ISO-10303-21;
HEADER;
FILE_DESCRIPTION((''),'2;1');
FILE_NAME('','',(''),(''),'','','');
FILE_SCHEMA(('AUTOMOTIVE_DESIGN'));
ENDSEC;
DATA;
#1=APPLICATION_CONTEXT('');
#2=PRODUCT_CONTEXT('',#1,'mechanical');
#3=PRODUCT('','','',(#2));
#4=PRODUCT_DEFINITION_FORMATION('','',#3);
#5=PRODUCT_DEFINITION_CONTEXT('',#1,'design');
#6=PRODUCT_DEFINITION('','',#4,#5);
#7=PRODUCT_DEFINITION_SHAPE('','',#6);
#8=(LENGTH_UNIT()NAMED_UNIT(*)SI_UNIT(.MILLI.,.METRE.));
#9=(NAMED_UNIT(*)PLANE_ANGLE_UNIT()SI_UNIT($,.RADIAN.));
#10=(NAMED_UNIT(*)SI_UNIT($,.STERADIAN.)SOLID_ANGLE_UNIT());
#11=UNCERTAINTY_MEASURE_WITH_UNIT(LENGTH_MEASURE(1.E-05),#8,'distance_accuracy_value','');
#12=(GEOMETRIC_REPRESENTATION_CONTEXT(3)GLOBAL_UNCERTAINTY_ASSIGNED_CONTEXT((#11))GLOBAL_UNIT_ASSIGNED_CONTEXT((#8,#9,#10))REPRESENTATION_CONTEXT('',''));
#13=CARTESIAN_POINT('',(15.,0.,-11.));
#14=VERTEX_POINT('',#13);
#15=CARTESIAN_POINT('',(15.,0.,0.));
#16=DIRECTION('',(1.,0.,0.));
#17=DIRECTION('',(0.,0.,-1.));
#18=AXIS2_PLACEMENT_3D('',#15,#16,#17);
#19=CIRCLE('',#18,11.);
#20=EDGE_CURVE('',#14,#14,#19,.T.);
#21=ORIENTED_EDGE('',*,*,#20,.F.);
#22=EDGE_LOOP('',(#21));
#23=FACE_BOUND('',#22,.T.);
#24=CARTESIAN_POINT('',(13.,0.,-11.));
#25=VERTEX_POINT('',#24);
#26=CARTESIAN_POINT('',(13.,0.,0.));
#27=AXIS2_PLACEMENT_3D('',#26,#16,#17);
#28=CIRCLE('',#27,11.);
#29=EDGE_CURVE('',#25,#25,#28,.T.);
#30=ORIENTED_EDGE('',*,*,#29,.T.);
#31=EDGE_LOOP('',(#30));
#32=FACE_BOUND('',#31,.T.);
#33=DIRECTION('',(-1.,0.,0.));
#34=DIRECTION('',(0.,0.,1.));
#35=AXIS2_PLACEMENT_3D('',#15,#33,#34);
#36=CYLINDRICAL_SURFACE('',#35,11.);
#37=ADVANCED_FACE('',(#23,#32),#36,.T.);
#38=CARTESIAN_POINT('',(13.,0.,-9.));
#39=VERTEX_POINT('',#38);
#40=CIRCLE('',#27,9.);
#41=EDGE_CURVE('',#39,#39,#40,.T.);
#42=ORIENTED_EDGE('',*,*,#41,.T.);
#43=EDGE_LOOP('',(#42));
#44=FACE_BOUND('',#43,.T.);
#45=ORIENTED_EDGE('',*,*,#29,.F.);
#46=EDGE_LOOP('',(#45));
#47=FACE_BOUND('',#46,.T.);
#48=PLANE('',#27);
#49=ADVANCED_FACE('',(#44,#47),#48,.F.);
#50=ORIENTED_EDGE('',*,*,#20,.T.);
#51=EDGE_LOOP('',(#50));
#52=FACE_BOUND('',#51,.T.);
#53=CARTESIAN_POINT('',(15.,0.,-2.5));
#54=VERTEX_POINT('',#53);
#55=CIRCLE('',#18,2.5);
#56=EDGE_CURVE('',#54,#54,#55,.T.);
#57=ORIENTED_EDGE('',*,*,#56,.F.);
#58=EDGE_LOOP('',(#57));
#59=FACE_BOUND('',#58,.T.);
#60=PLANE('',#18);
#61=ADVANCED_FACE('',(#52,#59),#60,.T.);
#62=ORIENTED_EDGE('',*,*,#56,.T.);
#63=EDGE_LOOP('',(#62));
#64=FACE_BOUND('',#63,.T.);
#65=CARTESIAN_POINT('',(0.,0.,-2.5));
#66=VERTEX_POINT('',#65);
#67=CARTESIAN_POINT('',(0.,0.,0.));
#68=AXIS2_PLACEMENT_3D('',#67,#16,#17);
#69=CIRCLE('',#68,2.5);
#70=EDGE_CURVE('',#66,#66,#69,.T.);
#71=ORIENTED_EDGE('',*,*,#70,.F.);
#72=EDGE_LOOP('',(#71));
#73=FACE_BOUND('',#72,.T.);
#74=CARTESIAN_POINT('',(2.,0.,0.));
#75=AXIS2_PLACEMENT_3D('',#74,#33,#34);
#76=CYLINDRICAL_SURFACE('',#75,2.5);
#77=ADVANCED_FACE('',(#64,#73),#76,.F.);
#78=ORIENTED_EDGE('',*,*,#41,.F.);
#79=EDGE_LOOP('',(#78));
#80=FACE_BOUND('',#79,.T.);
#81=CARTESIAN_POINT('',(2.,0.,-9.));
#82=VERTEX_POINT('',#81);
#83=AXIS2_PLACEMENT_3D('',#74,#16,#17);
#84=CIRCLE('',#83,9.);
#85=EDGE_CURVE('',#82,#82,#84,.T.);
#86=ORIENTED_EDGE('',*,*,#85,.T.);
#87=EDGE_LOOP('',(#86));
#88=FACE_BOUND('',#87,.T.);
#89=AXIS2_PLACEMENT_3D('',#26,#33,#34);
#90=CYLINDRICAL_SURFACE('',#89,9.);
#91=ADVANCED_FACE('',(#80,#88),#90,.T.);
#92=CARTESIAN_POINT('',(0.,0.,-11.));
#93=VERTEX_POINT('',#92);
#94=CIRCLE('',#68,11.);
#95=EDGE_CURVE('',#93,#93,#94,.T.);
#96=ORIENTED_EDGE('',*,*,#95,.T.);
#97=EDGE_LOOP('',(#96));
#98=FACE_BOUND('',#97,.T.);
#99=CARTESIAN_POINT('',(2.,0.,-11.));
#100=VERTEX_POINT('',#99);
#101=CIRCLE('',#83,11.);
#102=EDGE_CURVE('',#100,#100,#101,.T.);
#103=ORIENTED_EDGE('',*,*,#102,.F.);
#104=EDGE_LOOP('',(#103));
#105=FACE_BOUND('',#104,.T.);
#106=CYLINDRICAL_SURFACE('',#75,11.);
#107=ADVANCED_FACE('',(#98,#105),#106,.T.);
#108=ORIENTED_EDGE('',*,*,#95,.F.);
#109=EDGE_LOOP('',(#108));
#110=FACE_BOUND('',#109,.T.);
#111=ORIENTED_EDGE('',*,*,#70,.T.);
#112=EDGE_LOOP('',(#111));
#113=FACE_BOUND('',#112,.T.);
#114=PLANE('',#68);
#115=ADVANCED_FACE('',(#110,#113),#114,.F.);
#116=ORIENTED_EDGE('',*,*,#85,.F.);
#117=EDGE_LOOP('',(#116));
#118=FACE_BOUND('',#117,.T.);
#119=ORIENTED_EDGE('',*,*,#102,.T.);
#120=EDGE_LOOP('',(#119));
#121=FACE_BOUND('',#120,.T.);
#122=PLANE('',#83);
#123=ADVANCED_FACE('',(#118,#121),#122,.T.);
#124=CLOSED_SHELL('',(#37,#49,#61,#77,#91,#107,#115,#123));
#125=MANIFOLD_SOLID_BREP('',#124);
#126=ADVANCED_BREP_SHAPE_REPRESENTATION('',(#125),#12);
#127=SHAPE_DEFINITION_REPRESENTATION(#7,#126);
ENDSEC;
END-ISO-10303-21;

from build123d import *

# Parameters (mm, degrees)
SKETCH_1_R      = 11
SKETCH_1_R_2    = 2.5
EXTRUDE_1_DEPTH = 2
SKETCH_2_R      = 9
SKETCH_2_R_2    = 2.5
EXTRUDE_2_DEPTH = 11
SKETCH_3_R      = 11
SKETCH_3_R_2    = 2.5
EXTRUDE_3_DEPTH = 2


with BuildPart() as part:
    # 草图1 → 凸台-拉伸1 (new body)
    with BuildSketch(Plane(origin=(0, 0, 0), x_dir=(0, 0, -1), z_dir=(1, 0, 0))):
        Circle(SKETCH_1_R)
        Circle(SKETCH_1_R_2, mode=Mode.SUBTRACT)
    extrude(amount=EXTRUDE_1_DEPTH)

    # 草图2 → 凸台-拉伸2 (add)
    with BuildSketch(Plane(origin=(2, 0, 0), x_dir=(0, 0, -1), z_dir=(1, 0, 0))):
        Circle(SKETCH_2_R)
        Circle(SKETCH_2_R_2, mode=Mode.SUBTRACT)
    extrude(amount=EXTRUDE_2_DEPTH)

    # 草图3 → 凸台-拉伸3 (add)
    with BuildSketch(Plane(origin=(13, 0, 0), x_dir=(0, 0, -1), z_dir=(1, 0, 0))):
        Circle(SKETCH_3_R)
        Circle(SKETCH_3_R_2, mode=Mode.SUBTRACT)
    extrude(amount=EXTRUDE_3_DEPTH)


solid = part.part
